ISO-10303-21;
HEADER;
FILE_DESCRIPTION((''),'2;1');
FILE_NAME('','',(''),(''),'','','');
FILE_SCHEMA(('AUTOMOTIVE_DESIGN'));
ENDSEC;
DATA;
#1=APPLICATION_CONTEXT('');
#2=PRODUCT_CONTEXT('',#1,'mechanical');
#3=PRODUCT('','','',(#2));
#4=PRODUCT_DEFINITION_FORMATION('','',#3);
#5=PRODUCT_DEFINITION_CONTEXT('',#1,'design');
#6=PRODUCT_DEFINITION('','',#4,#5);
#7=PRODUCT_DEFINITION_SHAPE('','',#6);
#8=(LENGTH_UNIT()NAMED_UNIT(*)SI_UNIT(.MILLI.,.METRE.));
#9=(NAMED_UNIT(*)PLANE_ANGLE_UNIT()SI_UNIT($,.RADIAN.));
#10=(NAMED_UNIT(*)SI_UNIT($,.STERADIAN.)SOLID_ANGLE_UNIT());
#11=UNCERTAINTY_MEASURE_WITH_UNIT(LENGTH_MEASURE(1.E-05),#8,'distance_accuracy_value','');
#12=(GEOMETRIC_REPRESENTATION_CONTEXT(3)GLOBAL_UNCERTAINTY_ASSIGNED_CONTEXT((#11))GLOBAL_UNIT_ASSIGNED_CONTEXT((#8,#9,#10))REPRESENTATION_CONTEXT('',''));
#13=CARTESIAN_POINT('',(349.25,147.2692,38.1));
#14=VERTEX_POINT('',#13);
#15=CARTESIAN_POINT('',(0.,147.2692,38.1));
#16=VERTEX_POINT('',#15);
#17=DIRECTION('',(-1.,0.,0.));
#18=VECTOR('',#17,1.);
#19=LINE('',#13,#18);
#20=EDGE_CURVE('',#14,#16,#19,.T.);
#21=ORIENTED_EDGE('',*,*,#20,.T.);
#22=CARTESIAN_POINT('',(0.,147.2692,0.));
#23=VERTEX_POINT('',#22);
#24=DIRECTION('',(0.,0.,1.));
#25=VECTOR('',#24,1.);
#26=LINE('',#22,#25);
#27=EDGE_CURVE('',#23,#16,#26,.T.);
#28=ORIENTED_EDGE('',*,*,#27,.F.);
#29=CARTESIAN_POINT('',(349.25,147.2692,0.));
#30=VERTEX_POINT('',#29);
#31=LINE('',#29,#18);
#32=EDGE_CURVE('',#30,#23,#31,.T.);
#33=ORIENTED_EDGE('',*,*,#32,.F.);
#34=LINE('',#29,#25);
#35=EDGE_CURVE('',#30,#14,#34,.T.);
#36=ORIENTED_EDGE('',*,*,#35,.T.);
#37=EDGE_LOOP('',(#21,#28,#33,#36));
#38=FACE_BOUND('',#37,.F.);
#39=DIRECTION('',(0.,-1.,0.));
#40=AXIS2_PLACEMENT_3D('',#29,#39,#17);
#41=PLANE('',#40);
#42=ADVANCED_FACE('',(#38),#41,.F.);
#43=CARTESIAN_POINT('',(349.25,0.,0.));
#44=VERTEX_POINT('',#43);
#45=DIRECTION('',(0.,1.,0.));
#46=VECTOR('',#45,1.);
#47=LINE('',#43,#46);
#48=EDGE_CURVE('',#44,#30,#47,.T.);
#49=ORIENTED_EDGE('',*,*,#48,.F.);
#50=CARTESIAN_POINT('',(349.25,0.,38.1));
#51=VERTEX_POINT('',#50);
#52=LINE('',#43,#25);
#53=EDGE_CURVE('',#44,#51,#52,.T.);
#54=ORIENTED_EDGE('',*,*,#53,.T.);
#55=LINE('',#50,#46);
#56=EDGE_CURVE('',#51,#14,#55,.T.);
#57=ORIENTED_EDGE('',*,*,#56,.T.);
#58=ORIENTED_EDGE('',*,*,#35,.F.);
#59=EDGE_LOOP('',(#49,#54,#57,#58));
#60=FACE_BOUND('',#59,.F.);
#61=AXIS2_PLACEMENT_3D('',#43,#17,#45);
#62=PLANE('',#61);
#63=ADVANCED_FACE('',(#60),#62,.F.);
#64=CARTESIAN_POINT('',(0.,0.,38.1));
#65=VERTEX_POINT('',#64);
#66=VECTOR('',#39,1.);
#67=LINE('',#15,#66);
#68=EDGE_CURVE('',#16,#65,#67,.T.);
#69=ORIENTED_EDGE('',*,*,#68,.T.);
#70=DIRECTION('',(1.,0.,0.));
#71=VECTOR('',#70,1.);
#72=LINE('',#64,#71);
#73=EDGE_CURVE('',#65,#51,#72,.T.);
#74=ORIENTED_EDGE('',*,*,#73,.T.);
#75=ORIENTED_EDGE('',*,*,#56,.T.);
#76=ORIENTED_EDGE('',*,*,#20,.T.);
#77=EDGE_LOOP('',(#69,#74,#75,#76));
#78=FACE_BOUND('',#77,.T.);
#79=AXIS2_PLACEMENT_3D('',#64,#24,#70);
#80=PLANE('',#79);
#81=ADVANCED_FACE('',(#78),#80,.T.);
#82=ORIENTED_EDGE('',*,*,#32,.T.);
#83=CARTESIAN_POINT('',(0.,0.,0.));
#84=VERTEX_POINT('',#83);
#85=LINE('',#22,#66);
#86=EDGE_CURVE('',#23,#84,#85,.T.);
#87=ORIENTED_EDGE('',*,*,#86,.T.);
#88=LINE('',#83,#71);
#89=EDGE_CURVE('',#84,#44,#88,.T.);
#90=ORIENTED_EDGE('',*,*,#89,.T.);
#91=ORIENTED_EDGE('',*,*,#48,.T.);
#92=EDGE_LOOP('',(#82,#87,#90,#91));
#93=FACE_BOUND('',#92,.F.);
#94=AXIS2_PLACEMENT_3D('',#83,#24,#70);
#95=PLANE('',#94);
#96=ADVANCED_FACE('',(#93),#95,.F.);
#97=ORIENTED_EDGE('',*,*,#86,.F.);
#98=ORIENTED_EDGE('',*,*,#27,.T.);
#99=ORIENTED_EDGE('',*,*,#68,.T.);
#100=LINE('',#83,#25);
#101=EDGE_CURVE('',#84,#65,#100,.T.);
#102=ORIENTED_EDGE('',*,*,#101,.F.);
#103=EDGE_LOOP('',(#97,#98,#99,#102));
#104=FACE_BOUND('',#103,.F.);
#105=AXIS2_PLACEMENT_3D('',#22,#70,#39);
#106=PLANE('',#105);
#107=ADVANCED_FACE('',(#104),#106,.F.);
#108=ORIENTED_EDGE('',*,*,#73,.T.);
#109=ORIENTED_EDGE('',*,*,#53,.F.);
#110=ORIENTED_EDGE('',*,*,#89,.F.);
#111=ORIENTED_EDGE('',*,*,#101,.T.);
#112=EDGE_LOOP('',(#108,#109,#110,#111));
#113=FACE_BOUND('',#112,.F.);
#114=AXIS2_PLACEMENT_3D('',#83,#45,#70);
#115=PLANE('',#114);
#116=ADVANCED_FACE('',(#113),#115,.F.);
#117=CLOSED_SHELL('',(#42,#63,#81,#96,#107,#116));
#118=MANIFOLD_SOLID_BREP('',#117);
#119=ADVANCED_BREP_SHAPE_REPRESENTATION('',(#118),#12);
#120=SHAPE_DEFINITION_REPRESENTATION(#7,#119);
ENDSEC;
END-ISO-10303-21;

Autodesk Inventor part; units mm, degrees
ref_plane "YZ Plane" through (0, 0, 0) normal (1, 0, 0) x (0, 1, 0)
ref_plane "XZ Plane" through (0, 0, 0) normal (0, 1, 0) x (-1, 0, 0)
ref_plane "XY Plane" through (0, 0, 0) normal (0, 0, 1) x (1, 0, 0)
sketch "Sketch1" plane through (0, 0, 0) normal (0, 0, 1) x (1, 0, 0)
  line L0 (0, 0) -> (349.25, 0)
  line L1 (349.25, 0) -> (349.25, 147.2692)
  line L2 (349.25, 147.2692) -> (0, 147.2692)
  line L3 (0, 147.2692) -> (0, 0)
  dimension "d2" = 147.2692
  dimension "d3" = 349.25
extrude "Extrusion1" add sketch "Sketch1" along normal blind 38.1
properties part number "Subfascia_With_Dimensions_5.798_x_13.75_Inches" material "Wood (Birch)"
